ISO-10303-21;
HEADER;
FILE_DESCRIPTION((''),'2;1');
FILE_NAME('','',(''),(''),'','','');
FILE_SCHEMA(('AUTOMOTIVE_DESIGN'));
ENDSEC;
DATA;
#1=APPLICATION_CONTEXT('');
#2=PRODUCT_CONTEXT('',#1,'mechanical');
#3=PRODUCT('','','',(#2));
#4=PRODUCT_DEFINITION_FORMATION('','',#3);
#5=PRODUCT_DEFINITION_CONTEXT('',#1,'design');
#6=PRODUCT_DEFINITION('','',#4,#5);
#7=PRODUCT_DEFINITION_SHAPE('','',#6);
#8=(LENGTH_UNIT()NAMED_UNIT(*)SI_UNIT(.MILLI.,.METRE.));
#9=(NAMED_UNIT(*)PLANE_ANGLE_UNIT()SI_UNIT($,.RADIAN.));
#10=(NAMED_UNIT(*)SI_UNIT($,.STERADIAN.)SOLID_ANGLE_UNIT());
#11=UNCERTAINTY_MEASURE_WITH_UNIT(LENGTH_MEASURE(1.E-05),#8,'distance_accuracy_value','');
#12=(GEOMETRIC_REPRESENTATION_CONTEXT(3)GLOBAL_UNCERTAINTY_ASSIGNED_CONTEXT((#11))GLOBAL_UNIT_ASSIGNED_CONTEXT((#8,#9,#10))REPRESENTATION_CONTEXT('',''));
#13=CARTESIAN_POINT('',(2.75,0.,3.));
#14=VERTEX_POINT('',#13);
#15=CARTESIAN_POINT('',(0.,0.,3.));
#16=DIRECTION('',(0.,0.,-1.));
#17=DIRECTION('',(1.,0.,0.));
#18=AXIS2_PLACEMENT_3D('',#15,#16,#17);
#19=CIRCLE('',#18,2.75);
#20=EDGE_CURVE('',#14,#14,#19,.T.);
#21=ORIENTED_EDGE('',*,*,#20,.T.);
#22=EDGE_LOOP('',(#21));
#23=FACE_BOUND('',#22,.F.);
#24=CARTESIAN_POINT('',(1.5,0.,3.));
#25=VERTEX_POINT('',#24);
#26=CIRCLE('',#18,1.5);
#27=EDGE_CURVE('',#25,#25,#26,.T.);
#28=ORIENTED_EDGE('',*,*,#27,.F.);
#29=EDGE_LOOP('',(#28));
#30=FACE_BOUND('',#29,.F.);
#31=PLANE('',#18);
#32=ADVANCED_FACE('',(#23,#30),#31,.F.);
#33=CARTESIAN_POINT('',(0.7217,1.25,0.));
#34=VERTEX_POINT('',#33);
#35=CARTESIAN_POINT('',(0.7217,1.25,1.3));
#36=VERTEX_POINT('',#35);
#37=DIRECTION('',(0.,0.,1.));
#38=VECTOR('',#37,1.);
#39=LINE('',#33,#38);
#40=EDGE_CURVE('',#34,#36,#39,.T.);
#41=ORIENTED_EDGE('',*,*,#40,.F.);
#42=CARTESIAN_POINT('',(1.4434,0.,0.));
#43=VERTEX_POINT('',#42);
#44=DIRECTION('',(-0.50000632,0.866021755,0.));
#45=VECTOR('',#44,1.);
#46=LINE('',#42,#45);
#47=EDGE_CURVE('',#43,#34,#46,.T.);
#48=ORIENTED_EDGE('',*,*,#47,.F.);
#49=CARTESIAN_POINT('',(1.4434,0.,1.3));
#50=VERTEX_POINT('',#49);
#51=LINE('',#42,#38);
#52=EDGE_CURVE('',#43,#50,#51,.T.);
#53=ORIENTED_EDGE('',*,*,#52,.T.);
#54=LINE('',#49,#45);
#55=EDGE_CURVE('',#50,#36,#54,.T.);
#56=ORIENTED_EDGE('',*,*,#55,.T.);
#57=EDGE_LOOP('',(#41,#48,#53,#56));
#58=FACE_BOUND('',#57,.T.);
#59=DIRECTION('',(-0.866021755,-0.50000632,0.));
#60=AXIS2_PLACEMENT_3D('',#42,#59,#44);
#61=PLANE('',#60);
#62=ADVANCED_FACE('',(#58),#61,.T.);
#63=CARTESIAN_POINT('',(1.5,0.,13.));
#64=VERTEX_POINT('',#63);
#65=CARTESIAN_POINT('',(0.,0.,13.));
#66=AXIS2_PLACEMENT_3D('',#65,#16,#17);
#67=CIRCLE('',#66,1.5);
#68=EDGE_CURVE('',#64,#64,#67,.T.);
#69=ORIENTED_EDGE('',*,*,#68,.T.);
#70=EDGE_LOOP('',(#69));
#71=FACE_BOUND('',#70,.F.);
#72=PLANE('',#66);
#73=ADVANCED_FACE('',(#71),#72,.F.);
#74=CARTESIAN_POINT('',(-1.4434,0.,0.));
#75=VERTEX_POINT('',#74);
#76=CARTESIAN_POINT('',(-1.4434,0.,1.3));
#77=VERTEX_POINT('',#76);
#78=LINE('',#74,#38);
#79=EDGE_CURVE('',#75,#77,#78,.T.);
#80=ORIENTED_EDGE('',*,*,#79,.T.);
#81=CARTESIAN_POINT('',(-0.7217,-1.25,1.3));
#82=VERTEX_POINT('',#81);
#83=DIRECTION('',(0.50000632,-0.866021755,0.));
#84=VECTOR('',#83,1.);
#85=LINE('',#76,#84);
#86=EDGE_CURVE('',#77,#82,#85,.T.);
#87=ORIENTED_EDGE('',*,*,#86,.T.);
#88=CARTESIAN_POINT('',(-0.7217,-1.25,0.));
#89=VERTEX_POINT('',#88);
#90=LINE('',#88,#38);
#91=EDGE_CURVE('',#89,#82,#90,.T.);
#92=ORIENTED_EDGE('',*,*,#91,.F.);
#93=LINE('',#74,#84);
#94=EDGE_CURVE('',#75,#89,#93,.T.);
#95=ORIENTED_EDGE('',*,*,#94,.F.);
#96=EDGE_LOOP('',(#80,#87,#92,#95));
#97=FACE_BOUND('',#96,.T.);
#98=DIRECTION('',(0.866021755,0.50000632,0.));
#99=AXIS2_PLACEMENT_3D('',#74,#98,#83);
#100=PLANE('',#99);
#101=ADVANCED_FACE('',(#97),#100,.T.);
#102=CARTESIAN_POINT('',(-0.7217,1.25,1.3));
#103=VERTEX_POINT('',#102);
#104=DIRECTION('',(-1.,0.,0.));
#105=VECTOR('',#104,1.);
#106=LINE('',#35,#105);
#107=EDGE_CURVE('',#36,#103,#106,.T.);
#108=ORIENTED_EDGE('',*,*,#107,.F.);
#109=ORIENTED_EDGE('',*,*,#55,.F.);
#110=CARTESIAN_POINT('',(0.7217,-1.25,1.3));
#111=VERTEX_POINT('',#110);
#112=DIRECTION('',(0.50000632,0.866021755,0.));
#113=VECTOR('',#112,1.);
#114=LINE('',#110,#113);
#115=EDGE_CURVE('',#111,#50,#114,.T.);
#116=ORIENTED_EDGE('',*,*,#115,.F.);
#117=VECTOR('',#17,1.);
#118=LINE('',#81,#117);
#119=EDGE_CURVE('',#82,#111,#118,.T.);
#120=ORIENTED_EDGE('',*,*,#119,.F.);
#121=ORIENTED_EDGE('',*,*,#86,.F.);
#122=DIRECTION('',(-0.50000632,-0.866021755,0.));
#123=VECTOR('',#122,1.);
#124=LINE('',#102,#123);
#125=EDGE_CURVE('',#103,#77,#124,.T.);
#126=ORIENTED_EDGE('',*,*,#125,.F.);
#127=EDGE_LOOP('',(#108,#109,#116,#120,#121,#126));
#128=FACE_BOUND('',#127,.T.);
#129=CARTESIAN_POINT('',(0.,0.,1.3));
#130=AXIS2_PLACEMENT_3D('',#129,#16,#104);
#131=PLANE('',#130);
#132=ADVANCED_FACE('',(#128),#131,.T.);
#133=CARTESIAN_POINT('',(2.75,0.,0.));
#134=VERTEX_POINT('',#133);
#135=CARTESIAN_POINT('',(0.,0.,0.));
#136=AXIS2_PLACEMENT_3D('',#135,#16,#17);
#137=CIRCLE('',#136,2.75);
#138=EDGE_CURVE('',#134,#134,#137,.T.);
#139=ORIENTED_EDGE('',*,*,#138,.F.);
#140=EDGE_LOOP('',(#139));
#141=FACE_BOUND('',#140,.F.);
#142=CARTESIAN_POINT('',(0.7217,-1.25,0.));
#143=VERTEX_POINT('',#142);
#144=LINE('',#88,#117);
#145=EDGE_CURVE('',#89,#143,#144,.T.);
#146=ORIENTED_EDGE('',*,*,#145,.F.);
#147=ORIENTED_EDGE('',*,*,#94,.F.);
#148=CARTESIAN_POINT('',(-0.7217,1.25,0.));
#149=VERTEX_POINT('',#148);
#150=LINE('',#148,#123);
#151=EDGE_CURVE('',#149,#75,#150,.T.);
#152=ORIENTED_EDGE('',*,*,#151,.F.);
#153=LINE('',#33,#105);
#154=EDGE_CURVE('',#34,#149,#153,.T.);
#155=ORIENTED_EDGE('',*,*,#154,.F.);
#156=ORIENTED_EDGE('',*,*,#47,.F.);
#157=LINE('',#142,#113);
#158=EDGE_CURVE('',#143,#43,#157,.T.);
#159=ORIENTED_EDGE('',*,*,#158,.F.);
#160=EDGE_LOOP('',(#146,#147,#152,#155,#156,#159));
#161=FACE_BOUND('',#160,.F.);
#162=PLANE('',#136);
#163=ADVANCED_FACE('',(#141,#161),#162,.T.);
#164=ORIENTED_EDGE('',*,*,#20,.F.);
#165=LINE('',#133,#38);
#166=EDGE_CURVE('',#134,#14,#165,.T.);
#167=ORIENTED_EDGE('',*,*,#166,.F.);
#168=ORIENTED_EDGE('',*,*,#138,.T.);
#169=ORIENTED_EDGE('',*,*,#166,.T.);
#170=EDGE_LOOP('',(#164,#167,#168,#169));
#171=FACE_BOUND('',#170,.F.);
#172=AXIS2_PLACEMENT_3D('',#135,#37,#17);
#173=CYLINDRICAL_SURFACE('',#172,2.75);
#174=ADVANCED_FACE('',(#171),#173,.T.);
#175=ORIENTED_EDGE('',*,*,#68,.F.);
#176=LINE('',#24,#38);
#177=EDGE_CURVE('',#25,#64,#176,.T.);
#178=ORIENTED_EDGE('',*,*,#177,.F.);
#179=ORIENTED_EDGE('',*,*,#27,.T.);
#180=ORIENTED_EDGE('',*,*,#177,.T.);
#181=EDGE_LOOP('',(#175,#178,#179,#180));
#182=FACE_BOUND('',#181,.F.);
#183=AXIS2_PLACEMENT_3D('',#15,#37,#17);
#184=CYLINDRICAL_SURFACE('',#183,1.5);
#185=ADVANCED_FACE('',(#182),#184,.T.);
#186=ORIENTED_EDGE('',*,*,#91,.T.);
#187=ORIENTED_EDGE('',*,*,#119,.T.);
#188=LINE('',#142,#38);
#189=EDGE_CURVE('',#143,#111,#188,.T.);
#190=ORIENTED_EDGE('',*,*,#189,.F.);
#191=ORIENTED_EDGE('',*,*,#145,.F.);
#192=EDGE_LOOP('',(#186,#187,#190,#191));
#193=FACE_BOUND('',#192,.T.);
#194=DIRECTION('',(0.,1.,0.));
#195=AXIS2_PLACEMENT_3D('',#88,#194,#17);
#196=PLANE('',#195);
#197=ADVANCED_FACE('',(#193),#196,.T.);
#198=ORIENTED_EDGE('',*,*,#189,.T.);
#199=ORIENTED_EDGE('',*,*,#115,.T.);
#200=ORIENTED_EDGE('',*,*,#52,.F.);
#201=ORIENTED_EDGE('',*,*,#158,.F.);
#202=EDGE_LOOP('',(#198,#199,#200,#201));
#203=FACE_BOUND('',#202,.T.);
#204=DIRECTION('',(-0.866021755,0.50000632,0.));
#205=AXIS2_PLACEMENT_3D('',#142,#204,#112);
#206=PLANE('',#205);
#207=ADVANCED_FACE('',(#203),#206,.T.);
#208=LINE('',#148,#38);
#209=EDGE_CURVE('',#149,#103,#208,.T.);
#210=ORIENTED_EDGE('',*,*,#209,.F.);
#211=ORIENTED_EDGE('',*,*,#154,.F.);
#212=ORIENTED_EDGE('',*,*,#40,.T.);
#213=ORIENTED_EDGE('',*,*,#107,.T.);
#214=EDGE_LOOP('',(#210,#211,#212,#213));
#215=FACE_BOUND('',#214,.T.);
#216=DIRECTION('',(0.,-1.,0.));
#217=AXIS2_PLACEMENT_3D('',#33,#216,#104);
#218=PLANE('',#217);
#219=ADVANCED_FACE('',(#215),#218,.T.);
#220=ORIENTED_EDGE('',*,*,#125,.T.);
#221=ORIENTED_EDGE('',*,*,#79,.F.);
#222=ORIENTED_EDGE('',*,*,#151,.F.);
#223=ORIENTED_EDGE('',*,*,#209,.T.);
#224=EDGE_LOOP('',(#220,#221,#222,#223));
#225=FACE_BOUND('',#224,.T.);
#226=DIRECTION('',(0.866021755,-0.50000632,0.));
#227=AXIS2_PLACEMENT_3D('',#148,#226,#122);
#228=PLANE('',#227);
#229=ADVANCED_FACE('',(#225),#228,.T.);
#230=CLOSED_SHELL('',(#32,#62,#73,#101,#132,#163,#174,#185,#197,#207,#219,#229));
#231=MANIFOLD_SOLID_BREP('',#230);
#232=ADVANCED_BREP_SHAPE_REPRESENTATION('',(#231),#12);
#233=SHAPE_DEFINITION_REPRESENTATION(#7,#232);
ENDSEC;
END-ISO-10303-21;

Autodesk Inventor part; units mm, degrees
ref_plane "YZ Plane" through (0, 0, 0) normal (1, 0, 0) x (0, 1, 0)
ref_plane "XZ Plane" through (0, 0, 0) normal (0, 1, 0) x (-1, 0, 0)
ref_plane "XY Plane" through (0, 0, 0) normal (0, 0, 1) x (1, 0, 0)
sketch "Sketch1" plane through (0, 0, 0) normal (0, 1, 0) x (-1, 0, 0)
  line L0 (0, 0) -> (-2.75, 0)
  line L1 (-2.75, 0) -> (-2.75, 3)
  line L2 (-2.75, 3) -> (-1.5, 3)
  line L3 (-1.5, 3) -> (-1.5, 13)
  line L4 (-1.5, 13) -> (0, 13)
  line L5 (0, 13) -> (0, 0)
  dimension "ScrewLength" = 10
  dimension "Diameter" = 5.5
  dimension "Metric" = 3
  dimension "HeadLength" = 3
revolve "Revolution1" add sketch "Sketch1" angle 360 about axis through (0, 0, 13) along (0, 0, -1)
thread "Thread1" size "M3x0.5" class "6g" standard "ANSI Metric M Profile" full length
sketch "Sketch2" plane through (0, 0, 0) normal (0, 0, -1) x (-1, 0, 0)
  line L0 (0.7217, 1.25) -> (1.4434, 0)
  line L1 (1.4434, 0) -> (0.7217, -1.25)
  line L2 (0.7217, -1.25) -> (-0.7217, -1.25)
  line L3 (-0.7217, -1.25) -> (-1.4434, 0)
  line L4 (-1.4434, 0) -> (-0.7217, 1.25)
  line L5 (-0.7217, 1.25) -> (0.7217, 1.25)
  point P0 (0, 0)
  point P1 (0, 0)
  dimension "WidthAcrossFlat" = 2.5
extrude "Extrusion1" cut sketch "Sketch2" against normal blind 1.3
properties part number "UC-0310" material "Stainless Steel AISI 304"
